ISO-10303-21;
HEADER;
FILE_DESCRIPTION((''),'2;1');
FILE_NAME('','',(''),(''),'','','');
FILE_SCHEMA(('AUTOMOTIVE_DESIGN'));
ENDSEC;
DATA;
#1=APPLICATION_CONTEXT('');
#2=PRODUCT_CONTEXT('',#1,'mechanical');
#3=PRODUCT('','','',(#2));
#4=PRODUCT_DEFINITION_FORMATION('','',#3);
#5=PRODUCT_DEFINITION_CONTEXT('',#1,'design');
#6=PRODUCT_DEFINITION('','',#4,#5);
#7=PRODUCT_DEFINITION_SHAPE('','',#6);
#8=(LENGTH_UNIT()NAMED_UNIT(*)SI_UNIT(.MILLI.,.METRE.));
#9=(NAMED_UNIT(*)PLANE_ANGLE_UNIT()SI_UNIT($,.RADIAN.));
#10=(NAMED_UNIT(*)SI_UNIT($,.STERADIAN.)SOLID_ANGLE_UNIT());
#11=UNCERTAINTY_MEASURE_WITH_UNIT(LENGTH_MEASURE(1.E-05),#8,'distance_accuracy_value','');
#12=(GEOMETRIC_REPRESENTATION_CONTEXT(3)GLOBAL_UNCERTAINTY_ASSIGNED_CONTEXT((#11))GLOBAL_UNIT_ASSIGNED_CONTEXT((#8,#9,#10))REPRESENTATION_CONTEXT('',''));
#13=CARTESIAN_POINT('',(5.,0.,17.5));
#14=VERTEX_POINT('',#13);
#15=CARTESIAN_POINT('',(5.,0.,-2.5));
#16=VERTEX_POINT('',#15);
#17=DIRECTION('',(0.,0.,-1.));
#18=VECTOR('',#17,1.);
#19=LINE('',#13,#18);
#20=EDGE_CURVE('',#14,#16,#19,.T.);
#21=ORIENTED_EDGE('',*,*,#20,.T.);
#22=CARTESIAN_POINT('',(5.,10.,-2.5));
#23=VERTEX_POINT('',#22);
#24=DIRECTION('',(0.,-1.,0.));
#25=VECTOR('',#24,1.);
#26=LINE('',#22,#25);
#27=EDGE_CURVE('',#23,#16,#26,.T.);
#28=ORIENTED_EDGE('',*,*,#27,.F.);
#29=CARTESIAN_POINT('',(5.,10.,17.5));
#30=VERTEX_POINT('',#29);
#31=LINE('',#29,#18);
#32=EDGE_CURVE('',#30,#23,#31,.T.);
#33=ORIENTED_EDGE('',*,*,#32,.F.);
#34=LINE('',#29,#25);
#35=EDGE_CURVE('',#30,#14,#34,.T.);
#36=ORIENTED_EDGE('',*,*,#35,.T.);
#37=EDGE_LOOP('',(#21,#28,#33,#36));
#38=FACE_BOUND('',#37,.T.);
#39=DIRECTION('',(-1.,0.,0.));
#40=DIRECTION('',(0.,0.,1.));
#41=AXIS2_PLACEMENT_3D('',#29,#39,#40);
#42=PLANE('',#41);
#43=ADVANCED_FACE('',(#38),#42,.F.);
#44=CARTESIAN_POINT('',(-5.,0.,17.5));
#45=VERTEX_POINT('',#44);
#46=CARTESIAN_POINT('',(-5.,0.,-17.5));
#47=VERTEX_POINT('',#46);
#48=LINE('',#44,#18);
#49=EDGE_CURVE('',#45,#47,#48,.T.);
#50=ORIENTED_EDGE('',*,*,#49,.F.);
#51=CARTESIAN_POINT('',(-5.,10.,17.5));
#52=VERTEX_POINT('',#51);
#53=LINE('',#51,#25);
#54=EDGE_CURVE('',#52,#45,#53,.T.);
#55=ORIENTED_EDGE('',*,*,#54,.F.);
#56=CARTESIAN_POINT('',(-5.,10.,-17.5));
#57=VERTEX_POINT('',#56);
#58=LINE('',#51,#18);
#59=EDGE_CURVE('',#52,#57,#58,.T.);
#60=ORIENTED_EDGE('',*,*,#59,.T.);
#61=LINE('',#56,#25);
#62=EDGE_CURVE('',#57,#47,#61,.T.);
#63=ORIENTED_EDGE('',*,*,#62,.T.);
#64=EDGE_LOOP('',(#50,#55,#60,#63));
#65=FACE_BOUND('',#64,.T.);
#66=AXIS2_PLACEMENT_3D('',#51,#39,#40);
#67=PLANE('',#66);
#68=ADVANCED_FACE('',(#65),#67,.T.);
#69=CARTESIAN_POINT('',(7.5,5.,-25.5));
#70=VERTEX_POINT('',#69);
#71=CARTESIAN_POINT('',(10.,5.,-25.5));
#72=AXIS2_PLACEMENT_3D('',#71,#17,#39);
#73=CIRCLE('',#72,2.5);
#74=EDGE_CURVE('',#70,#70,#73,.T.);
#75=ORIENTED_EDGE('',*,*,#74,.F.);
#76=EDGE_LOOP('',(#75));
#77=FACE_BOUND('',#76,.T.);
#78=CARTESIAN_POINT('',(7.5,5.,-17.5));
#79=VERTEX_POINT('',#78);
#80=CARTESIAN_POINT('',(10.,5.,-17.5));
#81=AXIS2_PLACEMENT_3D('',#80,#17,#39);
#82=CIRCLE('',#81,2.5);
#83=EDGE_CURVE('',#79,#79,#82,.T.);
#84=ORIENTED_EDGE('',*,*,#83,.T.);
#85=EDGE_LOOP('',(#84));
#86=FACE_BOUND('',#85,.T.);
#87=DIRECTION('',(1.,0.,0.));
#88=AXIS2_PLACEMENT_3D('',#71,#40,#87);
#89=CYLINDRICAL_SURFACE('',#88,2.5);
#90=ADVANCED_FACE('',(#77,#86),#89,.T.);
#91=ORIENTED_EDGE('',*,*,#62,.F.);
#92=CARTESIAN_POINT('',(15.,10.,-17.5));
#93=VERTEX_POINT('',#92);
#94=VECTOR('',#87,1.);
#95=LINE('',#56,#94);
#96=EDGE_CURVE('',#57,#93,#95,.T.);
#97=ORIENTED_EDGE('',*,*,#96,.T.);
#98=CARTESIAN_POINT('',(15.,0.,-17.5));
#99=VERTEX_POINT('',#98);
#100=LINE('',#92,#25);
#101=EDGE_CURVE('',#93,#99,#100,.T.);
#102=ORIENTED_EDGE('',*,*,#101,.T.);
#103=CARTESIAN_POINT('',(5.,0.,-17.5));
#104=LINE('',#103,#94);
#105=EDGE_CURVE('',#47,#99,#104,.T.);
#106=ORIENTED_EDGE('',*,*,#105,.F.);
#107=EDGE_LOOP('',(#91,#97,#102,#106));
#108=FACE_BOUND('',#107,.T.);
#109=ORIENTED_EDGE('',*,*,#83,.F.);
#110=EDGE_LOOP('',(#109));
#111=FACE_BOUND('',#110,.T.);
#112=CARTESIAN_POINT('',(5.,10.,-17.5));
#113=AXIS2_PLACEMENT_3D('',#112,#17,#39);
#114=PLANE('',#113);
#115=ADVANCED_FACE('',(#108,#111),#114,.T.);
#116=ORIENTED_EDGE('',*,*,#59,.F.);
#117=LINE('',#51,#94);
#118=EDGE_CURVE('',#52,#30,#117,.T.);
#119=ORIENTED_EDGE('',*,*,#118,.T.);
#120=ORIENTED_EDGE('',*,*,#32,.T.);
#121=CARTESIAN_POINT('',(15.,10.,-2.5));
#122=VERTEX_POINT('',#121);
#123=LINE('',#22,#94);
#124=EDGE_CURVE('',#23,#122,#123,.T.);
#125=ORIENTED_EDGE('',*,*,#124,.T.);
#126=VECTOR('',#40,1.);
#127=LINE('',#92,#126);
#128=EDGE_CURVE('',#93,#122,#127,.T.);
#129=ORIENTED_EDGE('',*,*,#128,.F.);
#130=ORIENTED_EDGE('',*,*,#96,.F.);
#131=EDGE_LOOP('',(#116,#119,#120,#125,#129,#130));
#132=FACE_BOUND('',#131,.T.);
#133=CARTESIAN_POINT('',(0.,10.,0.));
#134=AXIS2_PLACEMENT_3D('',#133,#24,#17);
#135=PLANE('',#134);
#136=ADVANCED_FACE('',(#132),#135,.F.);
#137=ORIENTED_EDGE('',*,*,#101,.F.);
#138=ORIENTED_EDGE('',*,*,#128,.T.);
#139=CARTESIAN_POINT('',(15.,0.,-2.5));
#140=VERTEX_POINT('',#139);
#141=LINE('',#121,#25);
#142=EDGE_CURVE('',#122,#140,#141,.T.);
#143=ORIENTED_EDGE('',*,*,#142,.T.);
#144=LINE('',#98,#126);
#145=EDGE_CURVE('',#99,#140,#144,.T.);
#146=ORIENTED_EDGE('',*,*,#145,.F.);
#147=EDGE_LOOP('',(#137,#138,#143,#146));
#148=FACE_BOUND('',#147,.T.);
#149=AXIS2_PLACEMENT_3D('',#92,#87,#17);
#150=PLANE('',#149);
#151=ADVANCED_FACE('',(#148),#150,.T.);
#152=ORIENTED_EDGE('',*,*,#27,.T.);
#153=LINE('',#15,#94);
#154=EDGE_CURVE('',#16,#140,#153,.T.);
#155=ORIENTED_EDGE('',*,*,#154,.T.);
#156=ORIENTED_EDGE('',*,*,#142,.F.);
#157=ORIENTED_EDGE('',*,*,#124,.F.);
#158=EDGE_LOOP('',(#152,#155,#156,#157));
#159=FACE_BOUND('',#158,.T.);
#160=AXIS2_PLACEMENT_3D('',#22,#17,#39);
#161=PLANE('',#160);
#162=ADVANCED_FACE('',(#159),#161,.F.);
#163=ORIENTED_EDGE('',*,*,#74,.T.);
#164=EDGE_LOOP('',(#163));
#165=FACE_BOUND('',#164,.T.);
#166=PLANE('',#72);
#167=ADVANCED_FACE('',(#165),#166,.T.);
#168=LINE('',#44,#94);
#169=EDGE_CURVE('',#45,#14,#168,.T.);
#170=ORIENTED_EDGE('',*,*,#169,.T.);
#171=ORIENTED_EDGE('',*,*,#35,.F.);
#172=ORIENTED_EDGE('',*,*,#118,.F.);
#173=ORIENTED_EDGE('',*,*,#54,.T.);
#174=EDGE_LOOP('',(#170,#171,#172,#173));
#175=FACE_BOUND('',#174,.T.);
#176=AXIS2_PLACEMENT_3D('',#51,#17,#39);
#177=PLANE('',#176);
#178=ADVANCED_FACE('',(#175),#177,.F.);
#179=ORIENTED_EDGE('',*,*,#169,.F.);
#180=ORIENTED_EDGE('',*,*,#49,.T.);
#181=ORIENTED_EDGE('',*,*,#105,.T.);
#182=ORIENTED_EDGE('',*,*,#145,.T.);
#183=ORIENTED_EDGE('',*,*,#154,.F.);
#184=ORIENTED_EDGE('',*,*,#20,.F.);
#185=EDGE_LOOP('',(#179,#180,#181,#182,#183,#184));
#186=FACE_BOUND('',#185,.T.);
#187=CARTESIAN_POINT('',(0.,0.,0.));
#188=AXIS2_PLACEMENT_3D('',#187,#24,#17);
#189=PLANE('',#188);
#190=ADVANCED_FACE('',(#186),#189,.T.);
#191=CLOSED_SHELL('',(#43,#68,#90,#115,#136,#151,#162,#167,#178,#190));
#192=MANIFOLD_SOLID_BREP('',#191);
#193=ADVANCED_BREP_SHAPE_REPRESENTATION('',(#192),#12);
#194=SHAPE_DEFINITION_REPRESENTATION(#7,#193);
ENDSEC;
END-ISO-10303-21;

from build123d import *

# Parameters (mm, degrees)
BOSS_EXTRUDE1_DEPTH = 10
SKETCH2_R           = 2.5
BOSS_EXTRUDE2_DEPTH = 8


with BuildPart() as part:
    # Sketch1 → Boss-Extrude1 (new body)
    with BuildSketch(Plane(origin=(0, 0, 0), x_dir=(1, 0, 0), z_dir=(0, 1, 0))):
        Polygon((-5, -17.5), (5, -17.5), (5, 2.5), (15, 2.5), (15, 17.5), (5, 17.5), (-5, 17.5), align=None)
    extrude(amount=BOSS_EXTRUDE1_DEPTH)

    # Sketch2 → Boss-Extrude2 (add)
    with BuildSketch(Plane(origin=(0, 0, -17.5), x_dir=(-1, 0, 0), z_dir=(0, 0, -1))):
        with Locations((-10, 5)):
            Circle(SKETCH2_R)
    extrude(amount=BOSS_EXTRUDE2_DEPTH)


solid = part.part
